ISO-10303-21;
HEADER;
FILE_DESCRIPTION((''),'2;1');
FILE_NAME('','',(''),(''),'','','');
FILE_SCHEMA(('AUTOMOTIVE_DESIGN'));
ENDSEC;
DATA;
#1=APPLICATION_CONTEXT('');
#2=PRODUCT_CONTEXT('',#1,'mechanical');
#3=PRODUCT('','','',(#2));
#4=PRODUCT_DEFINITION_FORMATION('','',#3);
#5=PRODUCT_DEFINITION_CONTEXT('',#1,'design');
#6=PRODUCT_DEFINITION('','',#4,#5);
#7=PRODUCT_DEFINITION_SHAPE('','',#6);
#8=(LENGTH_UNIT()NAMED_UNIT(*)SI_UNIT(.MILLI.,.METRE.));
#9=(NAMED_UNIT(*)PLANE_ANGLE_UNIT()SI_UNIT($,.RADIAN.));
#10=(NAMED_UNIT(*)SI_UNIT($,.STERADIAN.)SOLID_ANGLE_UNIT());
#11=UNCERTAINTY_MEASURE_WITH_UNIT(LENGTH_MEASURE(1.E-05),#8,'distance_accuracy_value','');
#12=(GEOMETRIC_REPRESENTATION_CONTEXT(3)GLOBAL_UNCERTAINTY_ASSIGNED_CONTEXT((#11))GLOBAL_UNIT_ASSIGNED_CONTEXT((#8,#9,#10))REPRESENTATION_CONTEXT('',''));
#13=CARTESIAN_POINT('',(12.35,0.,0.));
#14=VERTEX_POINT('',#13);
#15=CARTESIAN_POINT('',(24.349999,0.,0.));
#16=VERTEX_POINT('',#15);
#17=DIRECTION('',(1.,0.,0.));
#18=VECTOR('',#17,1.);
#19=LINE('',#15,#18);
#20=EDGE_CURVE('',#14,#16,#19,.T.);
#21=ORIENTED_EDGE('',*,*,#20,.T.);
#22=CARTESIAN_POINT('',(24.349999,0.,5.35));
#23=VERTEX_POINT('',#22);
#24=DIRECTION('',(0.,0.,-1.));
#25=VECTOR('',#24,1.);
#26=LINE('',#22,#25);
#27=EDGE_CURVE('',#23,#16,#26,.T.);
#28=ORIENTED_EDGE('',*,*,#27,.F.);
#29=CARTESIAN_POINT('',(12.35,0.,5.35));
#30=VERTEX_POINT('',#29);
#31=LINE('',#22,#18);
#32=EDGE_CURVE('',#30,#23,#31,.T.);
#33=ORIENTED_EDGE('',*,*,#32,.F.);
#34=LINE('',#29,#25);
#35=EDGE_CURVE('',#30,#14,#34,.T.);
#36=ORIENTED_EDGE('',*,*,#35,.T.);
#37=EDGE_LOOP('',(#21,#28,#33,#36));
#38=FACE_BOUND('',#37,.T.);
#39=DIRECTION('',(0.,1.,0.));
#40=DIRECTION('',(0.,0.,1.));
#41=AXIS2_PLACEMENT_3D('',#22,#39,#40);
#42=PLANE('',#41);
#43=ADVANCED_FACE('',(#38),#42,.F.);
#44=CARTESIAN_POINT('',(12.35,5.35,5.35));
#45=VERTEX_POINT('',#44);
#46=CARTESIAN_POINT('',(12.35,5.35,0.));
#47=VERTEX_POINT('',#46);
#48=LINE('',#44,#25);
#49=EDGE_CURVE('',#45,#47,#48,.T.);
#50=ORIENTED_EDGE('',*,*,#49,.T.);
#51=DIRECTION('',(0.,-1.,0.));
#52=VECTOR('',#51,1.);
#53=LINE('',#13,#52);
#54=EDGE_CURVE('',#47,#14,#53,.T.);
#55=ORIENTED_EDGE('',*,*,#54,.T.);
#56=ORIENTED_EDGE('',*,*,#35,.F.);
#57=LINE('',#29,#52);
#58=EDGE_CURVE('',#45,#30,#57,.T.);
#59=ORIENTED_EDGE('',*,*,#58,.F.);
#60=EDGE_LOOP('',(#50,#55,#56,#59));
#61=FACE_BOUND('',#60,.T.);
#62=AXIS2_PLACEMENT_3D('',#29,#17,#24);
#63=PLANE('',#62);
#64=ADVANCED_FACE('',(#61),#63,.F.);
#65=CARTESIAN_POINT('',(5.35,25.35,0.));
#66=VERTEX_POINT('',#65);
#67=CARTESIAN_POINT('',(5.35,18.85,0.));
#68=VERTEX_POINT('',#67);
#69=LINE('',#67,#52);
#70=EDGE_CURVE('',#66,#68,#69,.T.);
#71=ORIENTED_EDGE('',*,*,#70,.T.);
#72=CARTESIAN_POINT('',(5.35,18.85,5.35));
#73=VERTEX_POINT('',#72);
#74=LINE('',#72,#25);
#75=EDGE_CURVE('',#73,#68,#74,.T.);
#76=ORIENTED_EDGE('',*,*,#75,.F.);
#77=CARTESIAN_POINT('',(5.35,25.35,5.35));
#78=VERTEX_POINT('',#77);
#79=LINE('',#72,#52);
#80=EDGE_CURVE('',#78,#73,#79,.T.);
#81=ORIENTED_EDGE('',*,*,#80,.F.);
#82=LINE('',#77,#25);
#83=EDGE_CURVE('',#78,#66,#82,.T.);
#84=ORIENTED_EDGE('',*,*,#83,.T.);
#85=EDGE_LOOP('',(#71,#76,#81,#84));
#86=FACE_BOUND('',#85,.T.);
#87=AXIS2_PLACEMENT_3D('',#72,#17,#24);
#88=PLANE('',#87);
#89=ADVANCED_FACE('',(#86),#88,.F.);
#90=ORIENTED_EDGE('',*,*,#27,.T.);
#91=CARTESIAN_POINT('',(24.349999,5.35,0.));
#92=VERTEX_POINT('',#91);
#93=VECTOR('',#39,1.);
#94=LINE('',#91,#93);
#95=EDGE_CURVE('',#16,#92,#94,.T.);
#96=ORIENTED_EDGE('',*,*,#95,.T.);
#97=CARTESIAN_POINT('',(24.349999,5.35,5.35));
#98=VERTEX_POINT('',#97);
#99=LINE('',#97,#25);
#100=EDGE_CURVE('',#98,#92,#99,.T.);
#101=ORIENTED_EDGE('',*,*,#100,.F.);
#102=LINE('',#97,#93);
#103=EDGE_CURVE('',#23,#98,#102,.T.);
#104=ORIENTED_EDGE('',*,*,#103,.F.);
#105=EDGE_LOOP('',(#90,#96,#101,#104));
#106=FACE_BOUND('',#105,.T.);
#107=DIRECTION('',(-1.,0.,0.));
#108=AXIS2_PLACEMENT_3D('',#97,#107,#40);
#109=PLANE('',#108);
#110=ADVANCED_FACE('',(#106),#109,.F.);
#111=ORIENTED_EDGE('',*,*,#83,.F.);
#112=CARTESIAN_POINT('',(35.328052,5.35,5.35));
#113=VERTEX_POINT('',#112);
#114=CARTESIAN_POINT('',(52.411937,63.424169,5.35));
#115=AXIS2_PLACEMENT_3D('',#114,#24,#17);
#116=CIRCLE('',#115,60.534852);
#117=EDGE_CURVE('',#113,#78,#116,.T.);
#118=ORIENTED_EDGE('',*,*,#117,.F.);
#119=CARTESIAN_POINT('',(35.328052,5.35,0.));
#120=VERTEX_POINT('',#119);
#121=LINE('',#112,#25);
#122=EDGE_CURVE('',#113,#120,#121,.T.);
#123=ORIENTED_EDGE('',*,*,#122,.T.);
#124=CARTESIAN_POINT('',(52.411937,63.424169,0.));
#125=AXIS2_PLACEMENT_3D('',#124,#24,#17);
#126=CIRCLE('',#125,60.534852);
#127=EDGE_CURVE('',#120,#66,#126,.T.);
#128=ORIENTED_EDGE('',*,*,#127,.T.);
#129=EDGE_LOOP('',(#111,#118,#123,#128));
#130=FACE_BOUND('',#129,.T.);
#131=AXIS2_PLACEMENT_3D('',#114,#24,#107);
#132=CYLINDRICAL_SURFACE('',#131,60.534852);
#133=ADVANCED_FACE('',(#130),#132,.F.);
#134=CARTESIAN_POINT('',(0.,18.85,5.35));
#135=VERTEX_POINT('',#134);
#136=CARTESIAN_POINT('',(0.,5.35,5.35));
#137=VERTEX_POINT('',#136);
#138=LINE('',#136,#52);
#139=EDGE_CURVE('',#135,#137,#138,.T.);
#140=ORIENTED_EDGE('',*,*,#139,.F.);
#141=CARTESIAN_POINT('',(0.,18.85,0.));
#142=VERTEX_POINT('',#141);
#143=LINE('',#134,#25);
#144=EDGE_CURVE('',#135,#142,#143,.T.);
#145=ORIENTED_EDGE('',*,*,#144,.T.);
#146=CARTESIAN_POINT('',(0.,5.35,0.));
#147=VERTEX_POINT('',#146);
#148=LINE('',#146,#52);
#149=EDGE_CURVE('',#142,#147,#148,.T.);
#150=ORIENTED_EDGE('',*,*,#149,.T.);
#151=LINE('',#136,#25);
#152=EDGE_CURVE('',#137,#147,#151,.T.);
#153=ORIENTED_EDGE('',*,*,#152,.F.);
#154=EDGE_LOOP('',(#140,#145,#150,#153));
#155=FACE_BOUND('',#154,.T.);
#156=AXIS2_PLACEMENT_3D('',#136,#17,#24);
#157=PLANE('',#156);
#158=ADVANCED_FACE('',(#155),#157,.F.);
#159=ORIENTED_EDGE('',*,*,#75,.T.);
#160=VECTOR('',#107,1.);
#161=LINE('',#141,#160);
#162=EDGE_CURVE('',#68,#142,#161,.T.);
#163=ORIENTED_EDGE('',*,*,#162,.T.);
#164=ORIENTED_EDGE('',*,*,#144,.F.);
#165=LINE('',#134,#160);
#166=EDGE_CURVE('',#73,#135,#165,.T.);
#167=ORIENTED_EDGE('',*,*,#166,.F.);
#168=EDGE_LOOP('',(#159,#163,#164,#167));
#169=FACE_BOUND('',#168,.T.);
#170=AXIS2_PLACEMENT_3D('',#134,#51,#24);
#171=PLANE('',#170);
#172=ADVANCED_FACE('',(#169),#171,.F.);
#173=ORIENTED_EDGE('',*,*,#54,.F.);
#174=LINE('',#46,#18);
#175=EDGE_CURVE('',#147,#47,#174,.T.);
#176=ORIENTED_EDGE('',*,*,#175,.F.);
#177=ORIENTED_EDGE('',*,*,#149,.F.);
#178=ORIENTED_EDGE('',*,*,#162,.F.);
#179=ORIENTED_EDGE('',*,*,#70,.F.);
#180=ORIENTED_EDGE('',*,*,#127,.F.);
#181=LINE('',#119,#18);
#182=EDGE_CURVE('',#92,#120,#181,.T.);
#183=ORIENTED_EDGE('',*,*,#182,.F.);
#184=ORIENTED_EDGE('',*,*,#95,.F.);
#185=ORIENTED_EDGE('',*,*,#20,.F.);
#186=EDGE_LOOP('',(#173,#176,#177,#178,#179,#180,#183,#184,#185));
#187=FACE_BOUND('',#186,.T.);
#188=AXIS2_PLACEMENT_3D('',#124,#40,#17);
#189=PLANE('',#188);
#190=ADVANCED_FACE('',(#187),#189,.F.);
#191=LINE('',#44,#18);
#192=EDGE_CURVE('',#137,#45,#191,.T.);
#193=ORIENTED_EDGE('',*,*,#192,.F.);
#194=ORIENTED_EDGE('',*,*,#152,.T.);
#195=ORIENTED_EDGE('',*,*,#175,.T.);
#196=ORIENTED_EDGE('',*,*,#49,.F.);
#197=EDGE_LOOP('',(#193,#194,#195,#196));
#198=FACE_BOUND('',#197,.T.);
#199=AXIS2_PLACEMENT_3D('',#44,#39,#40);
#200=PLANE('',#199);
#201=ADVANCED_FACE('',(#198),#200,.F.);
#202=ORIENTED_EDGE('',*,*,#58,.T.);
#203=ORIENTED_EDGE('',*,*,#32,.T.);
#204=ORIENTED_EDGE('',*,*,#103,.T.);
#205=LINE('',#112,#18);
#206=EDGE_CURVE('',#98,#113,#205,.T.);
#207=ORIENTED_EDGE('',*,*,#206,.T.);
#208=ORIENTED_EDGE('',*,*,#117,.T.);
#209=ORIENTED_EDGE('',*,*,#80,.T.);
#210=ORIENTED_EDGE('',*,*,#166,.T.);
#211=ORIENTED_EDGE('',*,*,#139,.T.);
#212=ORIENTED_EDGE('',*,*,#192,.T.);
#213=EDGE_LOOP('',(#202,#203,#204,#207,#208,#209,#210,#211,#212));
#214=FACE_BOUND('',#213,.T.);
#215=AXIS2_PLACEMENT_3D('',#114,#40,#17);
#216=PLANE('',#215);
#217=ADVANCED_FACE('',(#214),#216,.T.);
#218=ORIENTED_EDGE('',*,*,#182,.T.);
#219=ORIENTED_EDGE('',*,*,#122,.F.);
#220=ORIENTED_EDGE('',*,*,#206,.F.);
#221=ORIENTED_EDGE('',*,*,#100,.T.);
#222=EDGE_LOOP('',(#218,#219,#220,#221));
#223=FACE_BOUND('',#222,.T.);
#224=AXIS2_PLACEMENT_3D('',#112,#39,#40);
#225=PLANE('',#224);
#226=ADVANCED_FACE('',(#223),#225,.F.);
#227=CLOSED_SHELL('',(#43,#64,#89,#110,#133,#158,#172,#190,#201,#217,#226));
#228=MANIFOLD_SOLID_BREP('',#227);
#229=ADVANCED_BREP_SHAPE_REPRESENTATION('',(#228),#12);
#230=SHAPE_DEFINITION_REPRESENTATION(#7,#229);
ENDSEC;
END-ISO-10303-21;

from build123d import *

# Parameters (mm, degrees)
BOSS_EXTRUDE1_DEPTH = 5.35


with BuildPart() as part:
    # Model → Boss-Extrude1 (new body)
    with BuildSketch(Plane.XY):
        with BuildLine():
            Line((5.349999992, 18.850000109), (5.349999992, 25.350000244))
            ThreePointArc((5.349999992, 25.350000244), (18.816228513, 13.067475271), (35.328051774, 5.350000109))
            Line((35.328051774, 5.350000109), (24.349999381, 5.350000109))
            Line((24.349999381, 5.350000109), (24.349999381, 0))
            Line((24.349999381, 0), (12.350000208, 0))
            Line((12.350000208, 0), (12.350000208, 5.350000109))
            Line((12.350000208, 5.350000109), (0, 5.350000109))
            Line((0, 5.350000109), (0, 18.850000109))
            Line((0, 18.850000109), (5.349999992, 18.850000109))
        make_face()
    extrude(amount=BOSS_EXTRUDE1_DEPTH)


solid = part.part
